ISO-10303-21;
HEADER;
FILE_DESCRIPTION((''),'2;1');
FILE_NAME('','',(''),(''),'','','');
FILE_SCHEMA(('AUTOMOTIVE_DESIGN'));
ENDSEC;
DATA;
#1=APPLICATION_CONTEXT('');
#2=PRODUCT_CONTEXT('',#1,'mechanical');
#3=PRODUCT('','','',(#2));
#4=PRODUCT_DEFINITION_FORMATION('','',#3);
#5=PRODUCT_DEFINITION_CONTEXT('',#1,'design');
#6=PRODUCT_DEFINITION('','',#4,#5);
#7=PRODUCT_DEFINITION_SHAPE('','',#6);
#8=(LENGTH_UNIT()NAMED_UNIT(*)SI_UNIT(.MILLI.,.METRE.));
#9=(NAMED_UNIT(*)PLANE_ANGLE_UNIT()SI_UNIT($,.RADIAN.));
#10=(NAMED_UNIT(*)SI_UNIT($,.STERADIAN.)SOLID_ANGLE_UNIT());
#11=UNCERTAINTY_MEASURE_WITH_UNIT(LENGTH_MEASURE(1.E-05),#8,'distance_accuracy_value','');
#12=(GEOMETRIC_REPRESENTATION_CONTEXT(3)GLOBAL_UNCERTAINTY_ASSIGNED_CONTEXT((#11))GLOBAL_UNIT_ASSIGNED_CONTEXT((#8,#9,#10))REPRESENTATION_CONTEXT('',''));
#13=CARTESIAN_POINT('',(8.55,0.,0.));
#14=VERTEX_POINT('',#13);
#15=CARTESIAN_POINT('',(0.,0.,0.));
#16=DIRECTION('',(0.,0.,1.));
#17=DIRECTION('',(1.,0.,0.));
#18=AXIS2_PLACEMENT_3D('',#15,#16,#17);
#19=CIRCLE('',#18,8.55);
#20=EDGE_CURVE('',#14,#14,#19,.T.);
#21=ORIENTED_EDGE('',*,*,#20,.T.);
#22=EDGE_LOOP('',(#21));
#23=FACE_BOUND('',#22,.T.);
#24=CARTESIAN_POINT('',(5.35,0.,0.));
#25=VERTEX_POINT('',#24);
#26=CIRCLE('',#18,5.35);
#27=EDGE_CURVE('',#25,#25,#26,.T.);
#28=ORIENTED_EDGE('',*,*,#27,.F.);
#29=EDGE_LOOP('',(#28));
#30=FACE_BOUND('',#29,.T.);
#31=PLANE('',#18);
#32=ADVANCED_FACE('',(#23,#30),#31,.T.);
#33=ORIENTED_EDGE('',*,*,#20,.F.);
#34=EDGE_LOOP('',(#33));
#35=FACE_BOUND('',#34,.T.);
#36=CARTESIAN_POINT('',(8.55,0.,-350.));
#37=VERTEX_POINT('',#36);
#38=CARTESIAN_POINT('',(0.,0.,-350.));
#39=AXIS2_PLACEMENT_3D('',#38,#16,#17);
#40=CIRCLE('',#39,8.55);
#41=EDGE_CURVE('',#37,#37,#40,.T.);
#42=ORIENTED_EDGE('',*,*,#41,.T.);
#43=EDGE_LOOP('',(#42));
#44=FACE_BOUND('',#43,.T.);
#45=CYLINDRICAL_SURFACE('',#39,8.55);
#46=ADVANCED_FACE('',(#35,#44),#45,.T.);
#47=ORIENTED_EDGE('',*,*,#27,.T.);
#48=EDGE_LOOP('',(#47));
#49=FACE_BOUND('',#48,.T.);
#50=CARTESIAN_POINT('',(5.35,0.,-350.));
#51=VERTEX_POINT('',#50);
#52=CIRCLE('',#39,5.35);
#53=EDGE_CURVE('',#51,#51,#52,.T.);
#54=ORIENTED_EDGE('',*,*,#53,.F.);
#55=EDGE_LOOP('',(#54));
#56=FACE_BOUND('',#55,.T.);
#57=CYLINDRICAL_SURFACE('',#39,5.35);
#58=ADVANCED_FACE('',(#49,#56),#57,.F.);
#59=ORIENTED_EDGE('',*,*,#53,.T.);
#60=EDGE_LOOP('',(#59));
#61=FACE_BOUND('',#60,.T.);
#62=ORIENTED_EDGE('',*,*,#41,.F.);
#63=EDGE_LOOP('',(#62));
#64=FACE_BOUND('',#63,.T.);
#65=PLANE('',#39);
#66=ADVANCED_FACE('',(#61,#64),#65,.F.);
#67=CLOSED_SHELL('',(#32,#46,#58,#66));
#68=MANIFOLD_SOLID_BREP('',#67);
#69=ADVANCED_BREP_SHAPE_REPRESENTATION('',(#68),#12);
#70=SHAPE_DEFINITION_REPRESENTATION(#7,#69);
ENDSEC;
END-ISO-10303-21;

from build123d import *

# Parameters (mm, degrees)
SKETCH1_R           = 8.55
SKETCH1_R_2         = 5.35
BOSS_EXTRUDE1_DEPTH = 350


with BuildPart() as part:
    # Sketch1 → Boss-Extrude1 (new body)
    with BuildSketch(Plane.XY):
        Circle(SKETCH1_R)
        Circle(SKETCH1_R_2, mode=Mode.SUBTRACT)
    extrude(amount=-BOSS_EXTRUDE1_DEPTH)


solid = part.part
